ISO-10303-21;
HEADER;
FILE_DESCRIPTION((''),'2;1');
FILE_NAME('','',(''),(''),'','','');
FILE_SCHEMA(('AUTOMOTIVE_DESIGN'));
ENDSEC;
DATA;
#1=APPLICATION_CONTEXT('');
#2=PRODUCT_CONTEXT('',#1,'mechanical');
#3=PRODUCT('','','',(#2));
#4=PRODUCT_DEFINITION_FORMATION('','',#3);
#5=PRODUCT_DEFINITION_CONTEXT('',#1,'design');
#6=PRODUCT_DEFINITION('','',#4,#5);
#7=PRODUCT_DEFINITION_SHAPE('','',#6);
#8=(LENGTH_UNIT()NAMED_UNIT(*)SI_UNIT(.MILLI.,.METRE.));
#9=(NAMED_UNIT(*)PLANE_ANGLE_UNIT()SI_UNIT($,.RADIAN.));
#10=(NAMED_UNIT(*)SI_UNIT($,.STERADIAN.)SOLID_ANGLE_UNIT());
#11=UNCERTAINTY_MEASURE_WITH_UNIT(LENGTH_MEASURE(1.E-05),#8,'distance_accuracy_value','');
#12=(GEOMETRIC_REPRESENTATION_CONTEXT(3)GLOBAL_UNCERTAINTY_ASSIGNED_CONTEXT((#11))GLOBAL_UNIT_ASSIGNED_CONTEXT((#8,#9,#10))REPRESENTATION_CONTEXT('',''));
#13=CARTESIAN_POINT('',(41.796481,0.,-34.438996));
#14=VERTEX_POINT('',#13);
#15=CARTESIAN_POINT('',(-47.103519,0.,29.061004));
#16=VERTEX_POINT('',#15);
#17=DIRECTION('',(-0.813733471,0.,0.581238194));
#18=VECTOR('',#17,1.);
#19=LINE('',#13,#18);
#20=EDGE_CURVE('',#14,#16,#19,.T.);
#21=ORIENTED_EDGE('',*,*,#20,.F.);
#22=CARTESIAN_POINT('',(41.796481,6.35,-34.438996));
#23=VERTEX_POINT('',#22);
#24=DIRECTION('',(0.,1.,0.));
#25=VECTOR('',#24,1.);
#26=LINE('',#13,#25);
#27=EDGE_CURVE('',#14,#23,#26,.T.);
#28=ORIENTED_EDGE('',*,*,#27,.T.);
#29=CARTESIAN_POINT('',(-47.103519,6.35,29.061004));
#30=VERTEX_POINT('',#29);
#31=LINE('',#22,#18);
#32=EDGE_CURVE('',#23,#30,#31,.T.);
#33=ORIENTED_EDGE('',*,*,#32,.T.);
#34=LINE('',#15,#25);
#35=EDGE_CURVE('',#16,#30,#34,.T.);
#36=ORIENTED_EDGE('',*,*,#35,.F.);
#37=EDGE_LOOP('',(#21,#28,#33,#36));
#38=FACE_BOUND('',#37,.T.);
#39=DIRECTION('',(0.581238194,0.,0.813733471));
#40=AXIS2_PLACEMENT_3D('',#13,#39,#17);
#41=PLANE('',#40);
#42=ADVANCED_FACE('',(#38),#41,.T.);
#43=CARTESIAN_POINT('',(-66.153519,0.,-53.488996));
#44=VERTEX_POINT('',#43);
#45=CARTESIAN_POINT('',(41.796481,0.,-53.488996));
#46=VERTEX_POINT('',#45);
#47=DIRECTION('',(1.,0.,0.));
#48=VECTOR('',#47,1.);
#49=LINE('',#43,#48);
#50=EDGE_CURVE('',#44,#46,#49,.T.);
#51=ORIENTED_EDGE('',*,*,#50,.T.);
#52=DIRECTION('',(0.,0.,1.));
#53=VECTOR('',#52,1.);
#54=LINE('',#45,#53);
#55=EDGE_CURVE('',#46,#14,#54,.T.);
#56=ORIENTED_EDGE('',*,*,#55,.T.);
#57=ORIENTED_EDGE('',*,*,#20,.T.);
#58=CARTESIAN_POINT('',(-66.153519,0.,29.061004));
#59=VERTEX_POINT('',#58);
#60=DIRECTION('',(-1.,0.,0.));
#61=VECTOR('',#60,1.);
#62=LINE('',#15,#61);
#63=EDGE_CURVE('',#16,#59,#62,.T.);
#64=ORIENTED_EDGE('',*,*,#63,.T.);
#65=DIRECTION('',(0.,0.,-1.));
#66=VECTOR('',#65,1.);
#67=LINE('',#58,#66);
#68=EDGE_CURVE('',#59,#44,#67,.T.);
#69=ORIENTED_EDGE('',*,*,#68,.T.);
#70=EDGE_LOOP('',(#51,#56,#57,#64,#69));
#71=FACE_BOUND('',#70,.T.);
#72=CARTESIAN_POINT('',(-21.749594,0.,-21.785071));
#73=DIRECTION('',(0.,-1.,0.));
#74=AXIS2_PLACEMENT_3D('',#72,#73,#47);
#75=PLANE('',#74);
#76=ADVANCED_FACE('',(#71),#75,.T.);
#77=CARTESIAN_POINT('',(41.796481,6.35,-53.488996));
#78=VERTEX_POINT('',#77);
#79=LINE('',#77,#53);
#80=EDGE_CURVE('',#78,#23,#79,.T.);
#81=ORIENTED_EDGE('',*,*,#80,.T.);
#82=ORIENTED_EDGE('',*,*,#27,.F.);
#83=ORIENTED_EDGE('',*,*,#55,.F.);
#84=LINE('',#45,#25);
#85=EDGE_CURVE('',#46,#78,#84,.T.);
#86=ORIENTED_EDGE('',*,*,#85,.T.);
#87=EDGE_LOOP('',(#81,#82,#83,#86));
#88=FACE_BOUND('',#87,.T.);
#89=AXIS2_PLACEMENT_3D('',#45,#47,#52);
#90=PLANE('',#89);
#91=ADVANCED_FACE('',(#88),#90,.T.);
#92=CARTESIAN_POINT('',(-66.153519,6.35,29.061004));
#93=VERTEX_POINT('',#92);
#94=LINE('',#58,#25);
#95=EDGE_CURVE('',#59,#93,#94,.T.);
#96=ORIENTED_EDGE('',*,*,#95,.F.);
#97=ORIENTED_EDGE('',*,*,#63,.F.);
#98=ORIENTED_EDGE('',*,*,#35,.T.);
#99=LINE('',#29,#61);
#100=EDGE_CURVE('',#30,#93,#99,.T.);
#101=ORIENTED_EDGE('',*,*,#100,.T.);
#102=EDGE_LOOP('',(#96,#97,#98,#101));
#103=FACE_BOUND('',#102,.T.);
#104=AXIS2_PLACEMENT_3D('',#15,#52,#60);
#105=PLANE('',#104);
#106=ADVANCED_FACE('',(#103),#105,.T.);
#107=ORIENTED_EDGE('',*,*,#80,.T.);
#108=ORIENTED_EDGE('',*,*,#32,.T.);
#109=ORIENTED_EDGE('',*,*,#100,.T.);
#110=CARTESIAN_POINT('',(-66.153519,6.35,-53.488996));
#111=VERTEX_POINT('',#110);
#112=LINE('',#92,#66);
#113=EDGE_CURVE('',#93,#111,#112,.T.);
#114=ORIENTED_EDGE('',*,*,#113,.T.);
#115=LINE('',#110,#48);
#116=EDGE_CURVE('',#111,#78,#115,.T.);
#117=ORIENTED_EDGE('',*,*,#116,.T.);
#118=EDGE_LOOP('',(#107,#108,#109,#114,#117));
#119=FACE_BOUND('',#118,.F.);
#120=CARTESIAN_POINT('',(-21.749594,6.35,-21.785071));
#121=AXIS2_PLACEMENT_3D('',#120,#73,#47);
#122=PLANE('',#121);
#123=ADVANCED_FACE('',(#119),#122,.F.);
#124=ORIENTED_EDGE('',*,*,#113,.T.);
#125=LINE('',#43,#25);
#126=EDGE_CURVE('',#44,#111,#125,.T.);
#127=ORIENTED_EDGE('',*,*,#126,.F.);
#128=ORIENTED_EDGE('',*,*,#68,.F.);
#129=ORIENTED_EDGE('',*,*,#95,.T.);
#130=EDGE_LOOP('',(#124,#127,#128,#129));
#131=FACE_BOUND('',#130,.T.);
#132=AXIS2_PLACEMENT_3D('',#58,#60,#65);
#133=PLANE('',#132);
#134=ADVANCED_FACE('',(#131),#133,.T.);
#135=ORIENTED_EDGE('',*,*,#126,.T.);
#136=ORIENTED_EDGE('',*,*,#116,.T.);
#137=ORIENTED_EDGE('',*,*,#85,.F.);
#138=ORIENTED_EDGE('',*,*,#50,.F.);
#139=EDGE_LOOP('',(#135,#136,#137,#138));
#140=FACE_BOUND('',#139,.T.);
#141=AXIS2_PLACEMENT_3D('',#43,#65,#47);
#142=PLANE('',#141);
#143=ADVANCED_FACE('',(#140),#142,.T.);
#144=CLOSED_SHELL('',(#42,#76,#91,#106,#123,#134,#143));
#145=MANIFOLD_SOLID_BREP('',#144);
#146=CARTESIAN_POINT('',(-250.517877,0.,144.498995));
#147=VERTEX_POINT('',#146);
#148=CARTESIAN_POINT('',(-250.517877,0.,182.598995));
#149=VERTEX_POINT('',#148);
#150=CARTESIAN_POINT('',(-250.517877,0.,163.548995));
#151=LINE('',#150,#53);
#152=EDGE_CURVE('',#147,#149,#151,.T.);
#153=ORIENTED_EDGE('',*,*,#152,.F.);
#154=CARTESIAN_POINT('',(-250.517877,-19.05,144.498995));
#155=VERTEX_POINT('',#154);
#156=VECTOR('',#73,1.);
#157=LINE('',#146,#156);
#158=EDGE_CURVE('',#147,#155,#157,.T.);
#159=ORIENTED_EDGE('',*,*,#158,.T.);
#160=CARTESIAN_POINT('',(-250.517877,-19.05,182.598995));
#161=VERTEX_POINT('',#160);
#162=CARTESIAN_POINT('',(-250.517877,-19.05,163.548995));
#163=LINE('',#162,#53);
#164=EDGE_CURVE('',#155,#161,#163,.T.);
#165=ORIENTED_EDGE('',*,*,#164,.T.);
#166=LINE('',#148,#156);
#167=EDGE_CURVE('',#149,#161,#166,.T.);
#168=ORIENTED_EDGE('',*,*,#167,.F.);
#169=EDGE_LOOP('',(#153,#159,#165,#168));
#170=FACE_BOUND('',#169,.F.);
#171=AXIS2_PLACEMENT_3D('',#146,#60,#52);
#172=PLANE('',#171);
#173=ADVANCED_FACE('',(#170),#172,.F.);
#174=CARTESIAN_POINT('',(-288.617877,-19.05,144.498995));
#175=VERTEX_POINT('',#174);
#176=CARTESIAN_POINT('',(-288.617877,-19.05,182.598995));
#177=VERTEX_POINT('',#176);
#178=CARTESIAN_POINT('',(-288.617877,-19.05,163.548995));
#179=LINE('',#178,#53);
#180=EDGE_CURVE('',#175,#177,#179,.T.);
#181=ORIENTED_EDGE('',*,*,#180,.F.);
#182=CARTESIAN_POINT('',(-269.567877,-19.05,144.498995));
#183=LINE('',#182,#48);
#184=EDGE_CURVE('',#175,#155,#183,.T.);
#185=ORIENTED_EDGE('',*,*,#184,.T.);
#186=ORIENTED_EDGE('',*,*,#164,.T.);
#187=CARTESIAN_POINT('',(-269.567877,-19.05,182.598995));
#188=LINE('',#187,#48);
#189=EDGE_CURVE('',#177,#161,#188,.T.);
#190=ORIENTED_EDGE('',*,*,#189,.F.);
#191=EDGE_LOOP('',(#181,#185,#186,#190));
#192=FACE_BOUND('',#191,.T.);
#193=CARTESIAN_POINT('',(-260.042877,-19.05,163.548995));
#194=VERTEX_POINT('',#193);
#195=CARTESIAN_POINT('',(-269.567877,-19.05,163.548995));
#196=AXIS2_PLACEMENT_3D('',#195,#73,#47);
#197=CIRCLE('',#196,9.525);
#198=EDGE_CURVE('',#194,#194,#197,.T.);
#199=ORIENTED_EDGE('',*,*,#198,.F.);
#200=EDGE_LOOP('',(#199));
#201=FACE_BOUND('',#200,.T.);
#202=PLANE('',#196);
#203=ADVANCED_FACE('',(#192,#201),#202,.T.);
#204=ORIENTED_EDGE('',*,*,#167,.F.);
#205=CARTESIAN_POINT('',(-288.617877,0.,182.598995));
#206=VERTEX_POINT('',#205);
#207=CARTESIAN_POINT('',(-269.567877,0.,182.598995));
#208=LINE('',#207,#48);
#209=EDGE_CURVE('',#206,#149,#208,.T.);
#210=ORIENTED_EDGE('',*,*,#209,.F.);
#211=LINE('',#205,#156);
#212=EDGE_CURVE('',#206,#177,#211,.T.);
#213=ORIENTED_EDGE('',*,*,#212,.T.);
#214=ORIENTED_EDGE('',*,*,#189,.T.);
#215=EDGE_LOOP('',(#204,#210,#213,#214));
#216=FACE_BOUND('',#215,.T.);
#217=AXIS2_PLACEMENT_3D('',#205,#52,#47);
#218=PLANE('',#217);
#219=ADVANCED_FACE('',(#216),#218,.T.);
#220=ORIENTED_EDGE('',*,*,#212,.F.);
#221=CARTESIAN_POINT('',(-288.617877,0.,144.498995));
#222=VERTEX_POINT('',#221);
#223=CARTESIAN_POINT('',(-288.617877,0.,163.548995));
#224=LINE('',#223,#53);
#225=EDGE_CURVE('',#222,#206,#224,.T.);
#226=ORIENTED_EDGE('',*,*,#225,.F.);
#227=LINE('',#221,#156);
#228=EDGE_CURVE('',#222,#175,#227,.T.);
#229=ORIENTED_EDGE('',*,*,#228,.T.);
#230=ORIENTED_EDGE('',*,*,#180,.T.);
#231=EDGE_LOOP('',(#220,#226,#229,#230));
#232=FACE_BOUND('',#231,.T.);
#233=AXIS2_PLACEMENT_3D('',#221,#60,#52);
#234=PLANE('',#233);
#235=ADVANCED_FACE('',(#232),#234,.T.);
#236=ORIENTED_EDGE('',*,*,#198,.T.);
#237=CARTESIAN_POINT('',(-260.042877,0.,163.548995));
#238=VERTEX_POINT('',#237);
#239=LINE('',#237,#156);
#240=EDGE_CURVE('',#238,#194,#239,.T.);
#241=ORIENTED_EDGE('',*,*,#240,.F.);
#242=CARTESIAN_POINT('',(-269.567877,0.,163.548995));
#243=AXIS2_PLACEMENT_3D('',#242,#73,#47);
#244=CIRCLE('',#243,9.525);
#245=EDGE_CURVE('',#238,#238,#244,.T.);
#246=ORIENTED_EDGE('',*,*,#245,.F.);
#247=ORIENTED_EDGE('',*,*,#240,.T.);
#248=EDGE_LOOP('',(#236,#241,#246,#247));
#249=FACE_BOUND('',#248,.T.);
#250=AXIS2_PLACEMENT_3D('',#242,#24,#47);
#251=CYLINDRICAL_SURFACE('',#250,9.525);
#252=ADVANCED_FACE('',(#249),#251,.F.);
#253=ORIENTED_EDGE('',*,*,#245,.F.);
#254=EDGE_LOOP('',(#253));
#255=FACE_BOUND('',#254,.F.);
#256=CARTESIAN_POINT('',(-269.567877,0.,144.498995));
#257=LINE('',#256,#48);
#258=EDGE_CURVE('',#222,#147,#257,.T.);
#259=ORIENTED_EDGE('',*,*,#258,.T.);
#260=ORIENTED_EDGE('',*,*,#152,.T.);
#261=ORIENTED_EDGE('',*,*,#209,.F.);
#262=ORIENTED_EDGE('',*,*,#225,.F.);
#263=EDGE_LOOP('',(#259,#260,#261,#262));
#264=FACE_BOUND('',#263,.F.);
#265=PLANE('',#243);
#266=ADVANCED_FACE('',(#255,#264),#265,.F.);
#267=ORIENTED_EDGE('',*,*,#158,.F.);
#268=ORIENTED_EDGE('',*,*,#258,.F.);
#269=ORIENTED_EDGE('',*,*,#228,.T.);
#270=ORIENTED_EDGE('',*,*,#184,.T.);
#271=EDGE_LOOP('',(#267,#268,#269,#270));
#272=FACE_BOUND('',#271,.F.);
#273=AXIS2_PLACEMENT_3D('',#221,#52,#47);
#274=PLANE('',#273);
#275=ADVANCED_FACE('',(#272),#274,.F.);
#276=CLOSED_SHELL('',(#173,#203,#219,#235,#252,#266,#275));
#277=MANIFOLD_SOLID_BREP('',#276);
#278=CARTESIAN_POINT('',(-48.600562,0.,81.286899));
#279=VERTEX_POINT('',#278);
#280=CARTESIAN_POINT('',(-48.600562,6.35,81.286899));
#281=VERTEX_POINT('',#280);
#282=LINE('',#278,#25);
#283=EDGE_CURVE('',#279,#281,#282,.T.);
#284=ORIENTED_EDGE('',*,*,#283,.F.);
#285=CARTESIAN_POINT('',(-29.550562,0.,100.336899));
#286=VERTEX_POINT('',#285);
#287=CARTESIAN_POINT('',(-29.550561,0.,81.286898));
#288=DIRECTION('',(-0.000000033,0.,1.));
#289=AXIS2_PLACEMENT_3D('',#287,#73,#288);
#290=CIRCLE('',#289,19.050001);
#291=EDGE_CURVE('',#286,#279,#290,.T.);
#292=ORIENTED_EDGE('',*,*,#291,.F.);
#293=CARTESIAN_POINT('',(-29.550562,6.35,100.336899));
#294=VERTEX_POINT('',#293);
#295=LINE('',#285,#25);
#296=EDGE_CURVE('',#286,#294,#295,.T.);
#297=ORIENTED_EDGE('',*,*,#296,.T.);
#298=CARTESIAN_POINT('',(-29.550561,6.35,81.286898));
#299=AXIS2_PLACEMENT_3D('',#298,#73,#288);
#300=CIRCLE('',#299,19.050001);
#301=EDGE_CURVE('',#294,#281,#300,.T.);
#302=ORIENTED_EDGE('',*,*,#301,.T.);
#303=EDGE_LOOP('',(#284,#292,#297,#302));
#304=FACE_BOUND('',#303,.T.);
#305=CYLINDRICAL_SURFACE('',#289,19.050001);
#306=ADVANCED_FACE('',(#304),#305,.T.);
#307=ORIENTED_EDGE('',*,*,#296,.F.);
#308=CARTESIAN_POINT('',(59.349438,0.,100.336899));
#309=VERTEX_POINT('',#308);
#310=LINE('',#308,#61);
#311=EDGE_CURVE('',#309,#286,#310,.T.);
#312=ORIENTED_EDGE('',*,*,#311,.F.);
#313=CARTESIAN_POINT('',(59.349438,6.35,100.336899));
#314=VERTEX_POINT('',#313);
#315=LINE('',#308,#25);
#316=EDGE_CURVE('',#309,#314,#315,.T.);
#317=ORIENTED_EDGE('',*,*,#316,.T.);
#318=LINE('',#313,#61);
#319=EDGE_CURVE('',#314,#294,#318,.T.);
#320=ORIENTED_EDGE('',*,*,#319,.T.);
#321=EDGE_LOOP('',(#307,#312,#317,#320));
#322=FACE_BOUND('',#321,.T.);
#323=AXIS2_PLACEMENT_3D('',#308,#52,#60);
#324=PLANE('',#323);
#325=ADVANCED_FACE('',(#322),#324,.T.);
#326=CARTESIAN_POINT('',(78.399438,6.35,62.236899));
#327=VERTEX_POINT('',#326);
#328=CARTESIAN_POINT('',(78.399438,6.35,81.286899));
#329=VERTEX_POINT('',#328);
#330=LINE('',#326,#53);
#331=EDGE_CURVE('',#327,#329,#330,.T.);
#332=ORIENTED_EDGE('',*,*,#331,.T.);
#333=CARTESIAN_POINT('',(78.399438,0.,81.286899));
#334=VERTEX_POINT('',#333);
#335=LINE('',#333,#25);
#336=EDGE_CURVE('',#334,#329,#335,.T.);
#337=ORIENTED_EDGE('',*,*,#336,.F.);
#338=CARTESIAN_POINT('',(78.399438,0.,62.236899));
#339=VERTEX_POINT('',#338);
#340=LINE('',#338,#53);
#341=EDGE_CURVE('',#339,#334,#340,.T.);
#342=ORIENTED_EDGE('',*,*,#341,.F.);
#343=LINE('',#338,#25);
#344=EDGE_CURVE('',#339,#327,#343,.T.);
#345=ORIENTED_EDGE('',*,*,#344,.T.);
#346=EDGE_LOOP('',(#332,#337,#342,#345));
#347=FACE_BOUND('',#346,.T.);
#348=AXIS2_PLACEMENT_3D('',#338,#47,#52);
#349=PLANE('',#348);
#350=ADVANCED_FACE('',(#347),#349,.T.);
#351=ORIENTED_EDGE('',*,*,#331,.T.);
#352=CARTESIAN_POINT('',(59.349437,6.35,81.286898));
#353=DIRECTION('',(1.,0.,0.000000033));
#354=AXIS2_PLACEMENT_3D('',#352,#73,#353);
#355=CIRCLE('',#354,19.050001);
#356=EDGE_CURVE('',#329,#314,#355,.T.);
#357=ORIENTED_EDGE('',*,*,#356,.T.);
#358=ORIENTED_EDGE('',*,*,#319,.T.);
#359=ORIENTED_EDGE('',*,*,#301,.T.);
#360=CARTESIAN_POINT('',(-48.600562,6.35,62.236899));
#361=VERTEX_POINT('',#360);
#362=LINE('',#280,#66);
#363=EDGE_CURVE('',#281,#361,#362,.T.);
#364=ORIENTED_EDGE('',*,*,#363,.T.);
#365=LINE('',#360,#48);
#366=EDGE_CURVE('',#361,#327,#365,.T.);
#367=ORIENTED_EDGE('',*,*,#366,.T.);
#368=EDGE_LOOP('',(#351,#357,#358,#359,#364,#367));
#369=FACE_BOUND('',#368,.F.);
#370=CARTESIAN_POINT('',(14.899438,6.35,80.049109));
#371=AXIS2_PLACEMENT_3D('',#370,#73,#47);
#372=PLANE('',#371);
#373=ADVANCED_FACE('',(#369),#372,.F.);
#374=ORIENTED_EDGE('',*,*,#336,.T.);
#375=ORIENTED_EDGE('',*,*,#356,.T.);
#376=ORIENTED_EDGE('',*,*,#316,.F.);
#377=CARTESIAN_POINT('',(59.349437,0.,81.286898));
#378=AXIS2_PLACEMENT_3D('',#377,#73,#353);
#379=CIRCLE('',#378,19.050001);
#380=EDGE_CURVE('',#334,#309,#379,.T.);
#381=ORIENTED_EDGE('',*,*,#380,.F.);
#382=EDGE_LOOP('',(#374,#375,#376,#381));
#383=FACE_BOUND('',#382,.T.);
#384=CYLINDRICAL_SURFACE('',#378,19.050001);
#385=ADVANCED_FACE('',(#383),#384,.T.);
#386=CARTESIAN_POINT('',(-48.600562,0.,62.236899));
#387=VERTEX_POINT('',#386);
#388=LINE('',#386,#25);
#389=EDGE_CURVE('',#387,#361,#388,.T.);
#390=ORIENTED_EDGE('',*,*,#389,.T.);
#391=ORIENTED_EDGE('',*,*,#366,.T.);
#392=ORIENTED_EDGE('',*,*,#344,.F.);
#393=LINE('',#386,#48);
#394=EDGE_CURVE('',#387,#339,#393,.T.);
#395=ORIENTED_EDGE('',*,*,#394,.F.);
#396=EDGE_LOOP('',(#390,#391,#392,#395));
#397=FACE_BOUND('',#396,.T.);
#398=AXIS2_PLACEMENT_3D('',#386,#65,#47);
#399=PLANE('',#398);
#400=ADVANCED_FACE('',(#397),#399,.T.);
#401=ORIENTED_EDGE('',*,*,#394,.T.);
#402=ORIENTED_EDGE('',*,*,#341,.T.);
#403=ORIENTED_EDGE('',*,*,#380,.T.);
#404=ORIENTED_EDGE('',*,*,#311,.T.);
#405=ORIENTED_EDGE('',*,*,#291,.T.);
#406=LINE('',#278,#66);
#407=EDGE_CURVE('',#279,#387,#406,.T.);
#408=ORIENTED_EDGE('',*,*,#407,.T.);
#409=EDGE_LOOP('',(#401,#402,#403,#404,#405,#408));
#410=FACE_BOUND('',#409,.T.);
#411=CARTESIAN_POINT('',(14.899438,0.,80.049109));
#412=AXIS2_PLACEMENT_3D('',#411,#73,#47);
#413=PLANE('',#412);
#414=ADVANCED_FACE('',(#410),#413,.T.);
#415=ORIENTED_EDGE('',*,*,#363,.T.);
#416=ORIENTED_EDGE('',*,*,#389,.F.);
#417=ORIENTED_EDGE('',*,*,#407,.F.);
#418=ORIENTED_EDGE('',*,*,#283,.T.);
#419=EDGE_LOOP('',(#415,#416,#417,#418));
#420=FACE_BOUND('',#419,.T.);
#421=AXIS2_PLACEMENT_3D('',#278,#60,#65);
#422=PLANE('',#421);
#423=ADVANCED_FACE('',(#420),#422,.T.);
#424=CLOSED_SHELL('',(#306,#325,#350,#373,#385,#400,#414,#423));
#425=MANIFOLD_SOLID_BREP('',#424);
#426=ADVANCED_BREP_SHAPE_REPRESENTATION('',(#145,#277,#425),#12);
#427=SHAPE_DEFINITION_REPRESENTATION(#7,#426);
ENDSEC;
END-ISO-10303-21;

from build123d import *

# Parameters (mm, degrees)
F1_DEPTH = 6.35
F3_DEPTH = 6.35
F4_W     = 285.75
F4_H     = 258.96094
F5_DEPTH = 19.05
F6_W     = 38.1
F6_H     = 38.1
F6_R     = 9.525
F7_DEPTH = 19.05


with BuildPart() as f1:
    # F0 (on Front) → F1 (new body)
    with BuildSketch(Plane.XZ):
        Polygon((41.796481, -34.438996), (-47.103519, 29.061004), (-66.153519, 29.061004), (-66.153519, -53.488996), (41.796481, -53.488996), align=None)
    extrude(amount=-F1_DEPTH)


with BuildPart() as f3:
    # F2 (on Front) → F3 (new body)
    with BuildSketch(Plane.XZ):
        with BuildLine():
            Line((-48.600562, 62.236899), (78.399438, 62.236899))
            Line((78.399438, 62.236899), (78.399438, 81.286899))
            ThreePointArc((78.399438, 81.286899), (72.819822, 94.757283), (59.349438, 100.336899))
            Line((59.349438, 100.336899), (-29.550562, 100.336899))
            ThreePointArc((-29.550562, 100.336899), (-43.020946, 94.757283), (-48.600562, 81.286899))
            Line((-48.600562, 81.286899), (-48.600562, 62.236899))
        make_face()
    extrude(amount=-F3_DEPTH)


with BuildPart() as f5:
    # F4 (on Front) → F5 (new body)
    with BuildSketch(Plane.XZ):
        with Locations((-484.189391, 56.096062)):
            Rectangle(F4_W, F4_H)
    extrude(amount=F5_DEPTH)


with BuildPart() as f7:
    # F6 (on Front) → F7 (new body)
    with BuildSketch(Plane.XZ):
        with Locations((-269.567877, 163.548995)):
            Rectangle(F6_W, F6_H)
        with Locations((-269.567877, 163.548995)):
            Circle(F6_R, mode=Mode.SUBTRACT)
    extrude(amount=F7_DEPTH)


solid = Compound([f1.part, f3.part, f7.part])
